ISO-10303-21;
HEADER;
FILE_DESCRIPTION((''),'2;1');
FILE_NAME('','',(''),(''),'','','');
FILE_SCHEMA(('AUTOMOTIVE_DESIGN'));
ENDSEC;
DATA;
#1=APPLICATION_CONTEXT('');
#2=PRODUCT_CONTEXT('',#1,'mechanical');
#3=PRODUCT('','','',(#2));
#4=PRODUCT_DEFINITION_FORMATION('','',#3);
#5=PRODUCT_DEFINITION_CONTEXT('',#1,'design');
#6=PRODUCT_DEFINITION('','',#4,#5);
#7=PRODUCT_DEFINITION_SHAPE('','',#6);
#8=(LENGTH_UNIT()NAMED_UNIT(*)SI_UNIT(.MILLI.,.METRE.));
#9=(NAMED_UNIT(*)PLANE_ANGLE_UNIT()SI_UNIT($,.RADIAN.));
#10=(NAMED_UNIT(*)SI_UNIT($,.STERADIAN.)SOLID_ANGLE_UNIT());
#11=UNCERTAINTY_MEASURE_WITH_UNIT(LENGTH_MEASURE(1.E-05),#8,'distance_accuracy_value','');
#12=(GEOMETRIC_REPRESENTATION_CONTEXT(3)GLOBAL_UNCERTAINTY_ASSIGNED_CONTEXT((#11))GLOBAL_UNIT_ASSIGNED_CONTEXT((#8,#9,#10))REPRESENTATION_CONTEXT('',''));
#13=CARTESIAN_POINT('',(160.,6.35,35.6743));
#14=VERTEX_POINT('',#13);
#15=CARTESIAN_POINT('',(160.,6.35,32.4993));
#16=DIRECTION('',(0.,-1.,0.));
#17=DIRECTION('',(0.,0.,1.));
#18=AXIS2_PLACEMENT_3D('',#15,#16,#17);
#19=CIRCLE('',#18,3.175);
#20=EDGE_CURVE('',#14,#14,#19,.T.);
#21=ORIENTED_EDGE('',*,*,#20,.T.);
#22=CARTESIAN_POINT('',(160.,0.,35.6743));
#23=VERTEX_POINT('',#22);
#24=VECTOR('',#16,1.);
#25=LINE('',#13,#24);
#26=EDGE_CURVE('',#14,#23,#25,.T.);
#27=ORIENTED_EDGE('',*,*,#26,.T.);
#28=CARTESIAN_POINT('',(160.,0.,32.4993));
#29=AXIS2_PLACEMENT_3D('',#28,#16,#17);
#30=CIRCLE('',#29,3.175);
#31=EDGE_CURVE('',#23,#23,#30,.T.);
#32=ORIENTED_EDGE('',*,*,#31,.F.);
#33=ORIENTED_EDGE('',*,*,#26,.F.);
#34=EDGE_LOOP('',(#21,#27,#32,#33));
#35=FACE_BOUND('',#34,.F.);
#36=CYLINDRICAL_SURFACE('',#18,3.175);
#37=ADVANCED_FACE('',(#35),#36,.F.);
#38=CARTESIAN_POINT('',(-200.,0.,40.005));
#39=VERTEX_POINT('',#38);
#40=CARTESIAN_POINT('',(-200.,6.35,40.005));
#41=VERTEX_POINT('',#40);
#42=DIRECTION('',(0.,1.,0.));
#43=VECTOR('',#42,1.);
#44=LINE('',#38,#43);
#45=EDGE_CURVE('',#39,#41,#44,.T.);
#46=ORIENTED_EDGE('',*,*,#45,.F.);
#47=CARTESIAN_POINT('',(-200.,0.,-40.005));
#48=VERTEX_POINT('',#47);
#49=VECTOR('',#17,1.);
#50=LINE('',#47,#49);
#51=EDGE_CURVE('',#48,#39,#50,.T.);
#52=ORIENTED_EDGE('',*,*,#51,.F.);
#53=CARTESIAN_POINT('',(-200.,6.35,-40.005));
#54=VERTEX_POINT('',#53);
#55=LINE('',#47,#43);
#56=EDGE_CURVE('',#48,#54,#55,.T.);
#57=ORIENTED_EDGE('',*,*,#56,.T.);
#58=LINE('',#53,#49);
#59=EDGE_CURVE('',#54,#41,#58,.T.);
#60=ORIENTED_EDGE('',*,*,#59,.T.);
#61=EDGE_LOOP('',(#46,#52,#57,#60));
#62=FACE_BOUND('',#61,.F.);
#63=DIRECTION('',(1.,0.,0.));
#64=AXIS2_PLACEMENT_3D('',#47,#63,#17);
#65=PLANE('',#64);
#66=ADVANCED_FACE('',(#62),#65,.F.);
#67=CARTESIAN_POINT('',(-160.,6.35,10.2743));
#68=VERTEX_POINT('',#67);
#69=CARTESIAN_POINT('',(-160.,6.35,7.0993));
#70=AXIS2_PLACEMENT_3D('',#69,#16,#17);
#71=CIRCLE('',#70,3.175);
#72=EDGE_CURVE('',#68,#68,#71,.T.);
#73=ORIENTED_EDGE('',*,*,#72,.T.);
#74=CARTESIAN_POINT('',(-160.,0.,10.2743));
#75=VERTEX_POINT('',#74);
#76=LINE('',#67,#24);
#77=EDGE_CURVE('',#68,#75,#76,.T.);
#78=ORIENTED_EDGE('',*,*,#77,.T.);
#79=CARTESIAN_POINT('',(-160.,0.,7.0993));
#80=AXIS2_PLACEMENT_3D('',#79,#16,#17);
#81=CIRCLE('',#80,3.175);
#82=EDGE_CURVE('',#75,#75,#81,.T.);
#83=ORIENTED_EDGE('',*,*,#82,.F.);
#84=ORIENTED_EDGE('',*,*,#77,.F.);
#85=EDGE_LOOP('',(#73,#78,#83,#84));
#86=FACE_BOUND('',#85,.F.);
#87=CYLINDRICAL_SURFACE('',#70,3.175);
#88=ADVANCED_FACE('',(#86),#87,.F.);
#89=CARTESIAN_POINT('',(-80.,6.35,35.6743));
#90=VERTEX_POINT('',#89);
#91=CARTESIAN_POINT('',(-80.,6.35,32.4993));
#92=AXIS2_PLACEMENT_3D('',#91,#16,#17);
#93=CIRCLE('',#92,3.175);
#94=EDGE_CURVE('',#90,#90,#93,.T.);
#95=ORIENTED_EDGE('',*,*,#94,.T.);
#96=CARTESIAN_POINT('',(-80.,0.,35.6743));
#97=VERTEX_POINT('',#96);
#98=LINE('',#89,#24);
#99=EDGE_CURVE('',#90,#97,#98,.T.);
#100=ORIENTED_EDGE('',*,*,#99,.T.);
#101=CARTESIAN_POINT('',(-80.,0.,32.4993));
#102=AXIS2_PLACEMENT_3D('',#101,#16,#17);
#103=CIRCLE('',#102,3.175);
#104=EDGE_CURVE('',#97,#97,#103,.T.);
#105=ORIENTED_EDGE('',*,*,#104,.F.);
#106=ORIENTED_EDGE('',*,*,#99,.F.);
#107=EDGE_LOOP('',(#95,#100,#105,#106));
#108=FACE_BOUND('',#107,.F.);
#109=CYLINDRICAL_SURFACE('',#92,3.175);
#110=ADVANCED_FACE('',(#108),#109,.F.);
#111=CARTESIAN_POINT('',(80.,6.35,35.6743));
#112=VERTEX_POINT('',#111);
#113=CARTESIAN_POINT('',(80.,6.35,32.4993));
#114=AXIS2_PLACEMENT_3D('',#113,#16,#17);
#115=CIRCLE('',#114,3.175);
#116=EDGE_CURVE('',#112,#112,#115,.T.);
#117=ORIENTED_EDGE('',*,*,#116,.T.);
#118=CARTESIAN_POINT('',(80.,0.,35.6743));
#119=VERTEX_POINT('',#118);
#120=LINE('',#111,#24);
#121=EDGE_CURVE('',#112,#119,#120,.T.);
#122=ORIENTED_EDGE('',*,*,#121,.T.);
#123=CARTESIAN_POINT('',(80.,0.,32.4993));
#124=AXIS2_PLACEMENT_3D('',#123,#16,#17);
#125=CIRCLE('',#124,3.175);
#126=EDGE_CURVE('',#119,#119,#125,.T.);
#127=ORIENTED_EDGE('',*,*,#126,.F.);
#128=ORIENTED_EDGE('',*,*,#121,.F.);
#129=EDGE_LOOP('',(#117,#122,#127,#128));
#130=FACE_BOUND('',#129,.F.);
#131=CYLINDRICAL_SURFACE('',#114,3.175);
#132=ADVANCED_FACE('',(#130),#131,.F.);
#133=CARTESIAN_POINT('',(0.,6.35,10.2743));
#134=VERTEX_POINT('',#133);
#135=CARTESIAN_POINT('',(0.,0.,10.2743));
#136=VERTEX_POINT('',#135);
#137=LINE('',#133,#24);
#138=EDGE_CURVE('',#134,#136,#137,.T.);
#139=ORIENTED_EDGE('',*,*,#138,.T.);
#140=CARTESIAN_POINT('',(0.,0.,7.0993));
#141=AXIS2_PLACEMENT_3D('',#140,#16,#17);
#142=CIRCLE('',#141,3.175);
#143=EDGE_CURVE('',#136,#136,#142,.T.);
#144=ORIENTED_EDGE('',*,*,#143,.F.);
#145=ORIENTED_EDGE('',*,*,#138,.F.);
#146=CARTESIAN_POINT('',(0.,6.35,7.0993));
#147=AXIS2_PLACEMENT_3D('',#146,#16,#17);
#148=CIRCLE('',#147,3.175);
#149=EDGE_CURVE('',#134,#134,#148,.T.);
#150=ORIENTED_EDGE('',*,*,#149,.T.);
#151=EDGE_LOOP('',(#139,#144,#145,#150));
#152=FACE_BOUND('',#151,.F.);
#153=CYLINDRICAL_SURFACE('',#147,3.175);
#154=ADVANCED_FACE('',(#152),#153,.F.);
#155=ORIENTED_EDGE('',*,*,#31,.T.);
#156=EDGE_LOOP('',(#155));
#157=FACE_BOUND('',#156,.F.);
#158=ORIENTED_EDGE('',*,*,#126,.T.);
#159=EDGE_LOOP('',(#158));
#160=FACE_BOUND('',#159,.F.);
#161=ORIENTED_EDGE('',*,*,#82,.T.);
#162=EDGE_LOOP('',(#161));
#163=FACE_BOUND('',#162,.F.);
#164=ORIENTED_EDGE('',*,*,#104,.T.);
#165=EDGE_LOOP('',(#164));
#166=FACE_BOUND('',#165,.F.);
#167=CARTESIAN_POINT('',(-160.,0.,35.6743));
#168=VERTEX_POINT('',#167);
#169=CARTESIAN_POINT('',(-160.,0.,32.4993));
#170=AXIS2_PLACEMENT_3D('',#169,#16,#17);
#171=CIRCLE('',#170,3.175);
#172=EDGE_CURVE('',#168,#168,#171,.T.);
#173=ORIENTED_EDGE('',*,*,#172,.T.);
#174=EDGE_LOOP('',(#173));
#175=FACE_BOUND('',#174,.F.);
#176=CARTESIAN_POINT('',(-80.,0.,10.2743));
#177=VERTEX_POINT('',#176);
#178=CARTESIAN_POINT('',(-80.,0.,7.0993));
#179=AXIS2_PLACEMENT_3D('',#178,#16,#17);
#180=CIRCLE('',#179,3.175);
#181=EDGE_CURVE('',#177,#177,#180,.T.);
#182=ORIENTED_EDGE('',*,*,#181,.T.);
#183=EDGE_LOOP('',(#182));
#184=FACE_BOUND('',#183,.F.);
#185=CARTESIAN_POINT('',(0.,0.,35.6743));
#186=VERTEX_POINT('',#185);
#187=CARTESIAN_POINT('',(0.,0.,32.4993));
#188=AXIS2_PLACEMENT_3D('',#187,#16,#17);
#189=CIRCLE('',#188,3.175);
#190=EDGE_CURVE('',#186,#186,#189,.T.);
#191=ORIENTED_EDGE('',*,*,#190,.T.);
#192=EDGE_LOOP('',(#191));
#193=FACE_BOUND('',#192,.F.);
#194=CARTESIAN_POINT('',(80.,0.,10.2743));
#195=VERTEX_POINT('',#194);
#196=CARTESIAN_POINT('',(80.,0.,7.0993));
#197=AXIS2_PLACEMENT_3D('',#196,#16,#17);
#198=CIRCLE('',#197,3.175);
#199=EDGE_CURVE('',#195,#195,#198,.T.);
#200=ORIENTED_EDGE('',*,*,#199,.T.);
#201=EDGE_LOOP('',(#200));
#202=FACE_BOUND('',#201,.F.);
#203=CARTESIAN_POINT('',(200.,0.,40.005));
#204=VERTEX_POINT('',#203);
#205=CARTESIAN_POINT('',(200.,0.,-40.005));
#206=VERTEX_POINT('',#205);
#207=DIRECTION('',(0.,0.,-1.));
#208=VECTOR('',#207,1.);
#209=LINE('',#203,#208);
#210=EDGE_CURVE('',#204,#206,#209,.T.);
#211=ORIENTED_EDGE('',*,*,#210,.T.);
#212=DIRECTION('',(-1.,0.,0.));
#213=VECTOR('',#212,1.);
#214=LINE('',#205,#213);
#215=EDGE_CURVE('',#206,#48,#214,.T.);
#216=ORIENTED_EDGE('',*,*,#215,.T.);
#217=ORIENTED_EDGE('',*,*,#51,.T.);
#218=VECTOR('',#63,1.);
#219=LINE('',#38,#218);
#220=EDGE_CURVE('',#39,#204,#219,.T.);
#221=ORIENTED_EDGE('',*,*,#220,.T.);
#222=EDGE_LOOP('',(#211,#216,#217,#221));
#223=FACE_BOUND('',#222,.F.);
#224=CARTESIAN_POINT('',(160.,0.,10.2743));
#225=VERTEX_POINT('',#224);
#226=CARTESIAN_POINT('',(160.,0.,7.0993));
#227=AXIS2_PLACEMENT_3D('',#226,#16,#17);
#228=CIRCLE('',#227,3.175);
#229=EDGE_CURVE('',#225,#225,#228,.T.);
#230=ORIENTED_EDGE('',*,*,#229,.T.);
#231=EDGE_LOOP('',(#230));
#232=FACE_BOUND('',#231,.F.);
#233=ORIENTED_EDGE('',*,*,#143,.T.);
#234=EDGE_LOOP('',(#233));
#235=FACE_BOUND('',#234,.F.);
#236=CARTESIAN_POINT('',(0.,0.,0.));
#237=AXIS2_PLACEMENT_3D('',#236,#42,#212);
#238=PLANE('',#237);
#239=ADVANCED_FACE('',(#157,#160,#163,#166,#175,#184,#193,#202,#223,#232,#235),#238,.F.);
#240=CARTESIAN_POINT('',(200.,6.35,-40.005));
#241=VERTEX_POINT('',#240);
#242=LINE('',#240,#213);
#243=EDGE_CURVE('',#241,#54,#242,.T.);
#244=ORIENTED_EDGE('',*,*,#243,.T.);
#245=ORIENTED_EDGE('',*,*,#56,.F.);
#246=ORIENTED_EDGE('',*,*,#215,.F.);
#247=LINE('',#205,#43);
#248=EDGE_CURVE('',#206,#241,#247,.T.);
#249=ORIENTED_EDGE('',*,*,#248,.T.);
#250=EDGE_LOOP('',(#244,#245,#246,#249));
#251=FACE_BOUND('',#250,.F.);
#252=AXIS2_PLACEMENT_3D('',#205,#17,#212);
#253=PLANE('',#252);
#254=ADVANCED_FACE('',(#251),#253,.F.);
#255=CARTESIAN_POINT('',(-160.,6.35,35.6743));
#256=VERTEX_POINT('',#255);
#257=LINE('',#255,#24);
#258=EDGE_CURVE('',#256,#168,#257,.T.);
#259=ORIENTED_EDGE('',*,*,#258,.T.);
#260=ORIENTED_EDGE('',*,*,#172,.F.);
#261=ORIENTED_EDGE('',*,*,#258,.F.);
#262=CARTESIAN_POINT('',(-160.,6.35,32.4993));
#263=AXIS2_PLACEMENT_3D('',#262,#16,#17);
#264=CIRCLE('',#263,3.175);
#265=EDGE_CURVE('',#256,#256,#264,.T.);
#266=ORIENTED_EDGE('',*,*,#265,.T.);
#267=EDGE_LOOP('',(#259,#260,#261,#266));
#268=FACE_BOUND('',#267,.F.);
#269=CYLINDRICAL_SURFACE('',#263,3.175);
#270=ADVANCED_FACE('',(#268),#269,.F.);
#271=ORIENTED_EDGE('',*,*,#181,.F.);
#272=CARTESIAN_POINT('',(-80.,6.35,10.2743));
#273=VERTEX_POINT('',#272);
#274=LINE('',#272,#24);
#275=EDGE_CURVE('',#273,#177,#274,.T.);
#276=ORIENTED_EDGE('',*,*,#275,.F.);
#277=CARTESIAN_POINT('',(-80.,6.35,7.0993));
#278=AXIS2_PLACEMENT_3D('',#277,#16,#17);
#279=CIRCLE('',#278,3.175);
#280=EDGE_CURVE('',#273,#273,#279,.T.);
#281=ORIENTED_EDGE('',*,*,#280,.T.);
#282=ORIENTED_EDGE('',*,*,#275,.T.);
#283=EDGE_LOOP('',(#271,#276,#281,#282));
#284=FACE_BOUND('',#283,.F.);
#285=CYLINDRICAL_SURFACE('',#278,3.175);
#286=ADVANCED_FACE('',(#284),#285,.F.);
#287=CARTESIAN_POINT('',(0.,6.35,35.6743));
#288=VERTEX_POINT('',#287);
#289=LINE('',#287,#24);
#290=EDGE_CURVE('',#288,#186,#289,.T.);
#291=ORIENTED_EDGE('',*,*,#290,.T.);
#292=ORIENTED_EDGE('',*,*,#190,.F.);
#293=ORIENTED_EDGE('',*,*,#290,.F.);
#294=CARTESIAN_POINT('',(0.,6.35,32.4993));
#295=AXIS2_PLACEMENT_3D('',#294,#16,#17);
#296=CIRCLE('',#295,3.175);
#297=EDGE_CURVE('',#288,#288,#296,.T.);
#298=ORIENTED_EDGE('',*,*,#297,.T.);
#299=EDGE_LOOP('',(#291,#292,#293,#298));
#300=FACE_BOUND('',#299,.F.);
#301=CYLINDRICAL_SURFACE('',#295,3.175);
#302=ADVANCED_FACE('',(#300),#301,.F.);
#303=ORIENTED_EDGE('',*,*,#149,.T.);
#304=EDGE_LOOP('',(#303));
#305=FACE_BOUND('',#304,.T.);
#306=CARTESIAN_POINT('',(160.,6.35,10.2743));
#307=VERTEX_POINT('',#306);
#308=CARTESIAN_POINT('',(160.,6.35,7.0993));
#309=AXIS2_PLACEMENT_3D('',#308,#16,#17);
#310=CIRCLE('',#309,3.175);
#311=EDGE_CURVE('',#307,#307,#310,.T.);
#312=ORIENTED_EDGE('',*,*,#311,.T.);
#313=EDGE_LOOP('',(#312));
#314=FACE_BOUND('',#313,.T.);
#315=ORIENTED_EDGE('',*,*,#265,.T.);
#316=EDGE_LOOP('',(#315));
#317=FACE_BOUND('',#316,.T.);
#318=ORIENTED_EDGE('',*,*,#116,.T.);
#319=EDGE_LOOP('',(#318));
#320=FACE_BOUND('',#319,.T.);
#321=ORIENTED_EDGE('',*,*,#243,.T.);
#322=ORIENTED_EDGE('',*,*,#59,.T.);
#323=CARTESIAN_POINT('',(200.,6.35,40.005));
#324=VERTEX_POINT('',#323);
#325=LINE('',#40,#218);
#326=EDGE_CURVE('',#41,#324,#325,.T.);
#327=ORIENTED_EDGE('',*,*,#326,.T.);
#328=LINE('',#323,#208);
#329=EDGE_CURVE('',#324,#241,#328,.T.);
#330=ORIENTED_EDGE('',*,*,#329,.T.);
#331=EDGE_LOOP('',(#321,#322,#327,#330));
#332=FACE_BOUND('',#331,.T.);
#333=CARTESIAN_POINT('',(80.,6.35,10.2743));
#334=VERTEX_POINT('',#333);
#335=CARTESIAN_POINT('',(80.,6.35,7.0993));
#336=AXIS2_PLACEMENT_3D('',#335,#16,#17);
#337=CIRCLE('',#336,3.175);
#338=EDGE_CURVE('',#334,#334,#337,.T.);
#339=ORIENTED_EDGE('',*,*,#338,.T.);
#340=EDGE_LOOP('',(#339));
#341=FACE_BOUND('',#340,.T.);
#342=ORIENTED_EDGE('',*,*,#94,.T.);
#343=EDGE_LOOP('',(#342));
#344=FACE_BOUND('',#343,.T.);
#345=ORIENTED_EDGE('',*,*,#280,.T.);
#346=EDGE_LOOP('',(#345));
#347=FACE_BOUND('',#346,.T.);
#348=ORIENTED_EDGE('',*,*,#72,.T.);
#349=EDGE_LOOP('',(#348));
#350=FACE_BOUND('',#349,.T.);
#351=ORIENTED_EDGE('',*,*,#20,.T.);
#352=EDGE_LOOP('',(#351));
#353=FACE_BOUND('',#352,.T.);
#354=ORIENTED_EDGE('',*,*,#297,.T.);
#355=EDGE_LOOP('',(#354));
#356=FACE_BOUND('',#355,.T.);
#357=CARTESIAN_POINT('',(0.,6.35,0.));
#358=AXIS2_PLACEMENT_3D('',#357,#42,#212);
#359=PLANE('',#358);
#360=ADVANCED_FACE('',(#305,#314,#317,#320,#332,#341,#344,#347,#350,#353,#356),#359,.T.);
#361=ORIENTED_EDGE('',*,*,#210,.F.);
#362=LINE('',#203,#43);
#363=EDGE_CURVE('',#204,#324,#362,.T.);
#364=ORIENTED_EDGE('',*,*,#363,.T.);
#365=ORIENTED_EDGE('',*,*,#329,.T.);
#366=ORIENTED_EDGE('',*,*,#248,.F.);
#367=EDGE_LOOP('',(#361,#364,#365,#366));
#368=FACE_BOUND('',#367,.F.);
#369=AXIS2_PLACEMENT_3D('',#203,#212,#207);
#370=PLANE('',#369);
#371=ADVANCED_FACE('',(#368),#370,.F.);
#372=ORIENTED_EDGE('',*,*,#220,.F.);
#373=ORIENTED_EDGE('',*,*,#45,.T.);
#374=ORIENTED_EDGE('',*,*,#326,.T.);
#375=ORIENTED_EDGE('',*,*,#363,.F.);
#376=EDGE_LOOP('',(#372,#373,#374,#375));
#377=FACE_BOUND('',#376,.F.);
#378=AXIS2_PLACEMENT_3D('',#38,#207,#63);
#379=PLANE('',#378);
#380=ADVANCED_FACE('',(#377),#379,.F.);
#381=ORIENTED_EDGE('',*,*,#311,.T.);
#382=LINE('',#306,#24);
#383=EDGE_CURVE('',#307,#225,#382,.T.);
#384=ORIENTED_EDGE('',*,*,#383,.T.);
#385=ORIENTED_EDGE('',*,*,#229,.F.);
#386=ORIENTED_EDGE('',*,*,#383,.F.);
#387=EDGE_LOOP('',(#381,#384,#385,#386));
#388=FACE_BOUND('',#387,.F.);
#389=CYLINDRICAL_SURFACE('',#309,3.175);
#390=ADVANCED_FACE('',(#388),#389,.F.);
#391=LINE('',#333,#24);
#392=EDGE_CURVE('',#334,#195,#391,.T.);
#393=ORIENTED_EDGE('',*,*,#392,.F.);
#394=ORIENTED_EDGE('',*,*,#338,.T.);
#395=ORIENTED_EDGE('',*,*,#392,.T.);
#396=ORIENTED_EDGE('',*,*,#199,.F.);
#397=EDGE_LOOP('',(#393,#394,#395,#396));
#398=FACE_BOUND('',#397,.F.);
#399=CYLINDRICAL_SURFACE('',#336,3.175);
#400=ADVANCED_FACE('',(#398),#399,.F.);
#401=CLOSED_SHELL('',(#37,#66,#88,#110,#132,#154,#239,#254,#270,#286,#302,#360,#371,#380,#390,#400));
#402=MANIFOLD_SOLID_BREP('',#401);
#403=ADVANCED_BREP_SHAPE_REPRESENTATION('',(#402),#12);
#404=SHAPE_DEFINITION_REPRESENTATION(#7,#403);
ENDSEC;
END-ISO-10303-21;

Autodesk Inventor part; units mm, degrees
ref_plane "YZ Plane" through (0, 0, 0) normal (1, 0, 0) x (0, 1, 0)
ref_plane "XZ Plane" through (0, 0, 0) normal (0, 1, 0) x (-1, 0, 0)
ref_plane "XY Plane" through (0, 0, 0) normal (0, 0, 1) x (1, 0, 0)
sketch "Sketch1" plane through (0, 0, 0) normal (0, 1, 0) x (-1, 0, 0)
  line L0 (200, 40.005) -> (-200, 40.005)
  line L1 (-200, 40.005) -> (-200, -40.005)
  line L2 (-200, -40.005) -> (200, -40.005)
  line L3 (200, -40.005) -> (200, 40.005)
  line L4 (200, 40.005) -> (-200, -40.005) construction
  line L5 (-200, 40.005) -> (200, -40.005) construction
  point P0 (0, 0)
  dimension "d0" = 400
  dimension "d1" = 80.01
extrude "Extrusion1" add sketch "Sketch1" along normal blind 6.35
sketch "Sketch2" plane through (0, 6.35, 0) normal (0, 1, 0) x (1, 0, 0)
  line L0 (-200, -40.005) -> (200, -40.005) projected
  line L1 (200, -40.005) -> (200, 40.005) projected
  line L2 (200, 40.005) -> (-200, 40.005) projected
  line L3 (-200, 40.005) -> (-200, -40.005) projected
  line L4 (-200, 18.3007) -> (200, 18.3007) construction
  point P0 (-200, 0.005)
  point P1 (-200, -7.0993)
  point P2 (-160, -7.0993)
  point P3 (-80, -7.0993)
  point P4 (0, -7.0993)
  point P5 (80, -7.0993)
  point P6 (160, -7.0993)
  point P7 (-160, -32.4993)
  point P8 (-80, -7.0993)
  point P9 (-80, -32.4993)
  point P10 (0, -7.0993)
  point P11 (0, -32.4993)
  point P12 (80, -7.0993)
  point P13 (80, -32.4993)
  point P14 (160, -7.0993)
  point P15 (160, -32.4993)
  dimension "d4" = 21.7043
  dimension "d5" = 40
  dimension "d6" = 25.4
  dimension "d7" = 40
  dimension "d24" = 25.4
  dimension "d27" = 80
hole "Hole2" at (-160, 6.35, 7.0993) at (-80, 6.35, 7.0993) at (0, 6.35, 7.0993) at (80, 6.35, 7.0993) at (160, 6.35, 7.0993) at (-160, 6.35, 32.4993) at (-80, 6.35, 32.4993) at (0, 6.35, 32.4993) at (80, 6.35, 32.4993) at (160, 6.35, 32.4993) direction (0, -1, 0) diameter 6.35 depth 25.4 tip angle 118
properties part number "y_axis_mounting_plate"
